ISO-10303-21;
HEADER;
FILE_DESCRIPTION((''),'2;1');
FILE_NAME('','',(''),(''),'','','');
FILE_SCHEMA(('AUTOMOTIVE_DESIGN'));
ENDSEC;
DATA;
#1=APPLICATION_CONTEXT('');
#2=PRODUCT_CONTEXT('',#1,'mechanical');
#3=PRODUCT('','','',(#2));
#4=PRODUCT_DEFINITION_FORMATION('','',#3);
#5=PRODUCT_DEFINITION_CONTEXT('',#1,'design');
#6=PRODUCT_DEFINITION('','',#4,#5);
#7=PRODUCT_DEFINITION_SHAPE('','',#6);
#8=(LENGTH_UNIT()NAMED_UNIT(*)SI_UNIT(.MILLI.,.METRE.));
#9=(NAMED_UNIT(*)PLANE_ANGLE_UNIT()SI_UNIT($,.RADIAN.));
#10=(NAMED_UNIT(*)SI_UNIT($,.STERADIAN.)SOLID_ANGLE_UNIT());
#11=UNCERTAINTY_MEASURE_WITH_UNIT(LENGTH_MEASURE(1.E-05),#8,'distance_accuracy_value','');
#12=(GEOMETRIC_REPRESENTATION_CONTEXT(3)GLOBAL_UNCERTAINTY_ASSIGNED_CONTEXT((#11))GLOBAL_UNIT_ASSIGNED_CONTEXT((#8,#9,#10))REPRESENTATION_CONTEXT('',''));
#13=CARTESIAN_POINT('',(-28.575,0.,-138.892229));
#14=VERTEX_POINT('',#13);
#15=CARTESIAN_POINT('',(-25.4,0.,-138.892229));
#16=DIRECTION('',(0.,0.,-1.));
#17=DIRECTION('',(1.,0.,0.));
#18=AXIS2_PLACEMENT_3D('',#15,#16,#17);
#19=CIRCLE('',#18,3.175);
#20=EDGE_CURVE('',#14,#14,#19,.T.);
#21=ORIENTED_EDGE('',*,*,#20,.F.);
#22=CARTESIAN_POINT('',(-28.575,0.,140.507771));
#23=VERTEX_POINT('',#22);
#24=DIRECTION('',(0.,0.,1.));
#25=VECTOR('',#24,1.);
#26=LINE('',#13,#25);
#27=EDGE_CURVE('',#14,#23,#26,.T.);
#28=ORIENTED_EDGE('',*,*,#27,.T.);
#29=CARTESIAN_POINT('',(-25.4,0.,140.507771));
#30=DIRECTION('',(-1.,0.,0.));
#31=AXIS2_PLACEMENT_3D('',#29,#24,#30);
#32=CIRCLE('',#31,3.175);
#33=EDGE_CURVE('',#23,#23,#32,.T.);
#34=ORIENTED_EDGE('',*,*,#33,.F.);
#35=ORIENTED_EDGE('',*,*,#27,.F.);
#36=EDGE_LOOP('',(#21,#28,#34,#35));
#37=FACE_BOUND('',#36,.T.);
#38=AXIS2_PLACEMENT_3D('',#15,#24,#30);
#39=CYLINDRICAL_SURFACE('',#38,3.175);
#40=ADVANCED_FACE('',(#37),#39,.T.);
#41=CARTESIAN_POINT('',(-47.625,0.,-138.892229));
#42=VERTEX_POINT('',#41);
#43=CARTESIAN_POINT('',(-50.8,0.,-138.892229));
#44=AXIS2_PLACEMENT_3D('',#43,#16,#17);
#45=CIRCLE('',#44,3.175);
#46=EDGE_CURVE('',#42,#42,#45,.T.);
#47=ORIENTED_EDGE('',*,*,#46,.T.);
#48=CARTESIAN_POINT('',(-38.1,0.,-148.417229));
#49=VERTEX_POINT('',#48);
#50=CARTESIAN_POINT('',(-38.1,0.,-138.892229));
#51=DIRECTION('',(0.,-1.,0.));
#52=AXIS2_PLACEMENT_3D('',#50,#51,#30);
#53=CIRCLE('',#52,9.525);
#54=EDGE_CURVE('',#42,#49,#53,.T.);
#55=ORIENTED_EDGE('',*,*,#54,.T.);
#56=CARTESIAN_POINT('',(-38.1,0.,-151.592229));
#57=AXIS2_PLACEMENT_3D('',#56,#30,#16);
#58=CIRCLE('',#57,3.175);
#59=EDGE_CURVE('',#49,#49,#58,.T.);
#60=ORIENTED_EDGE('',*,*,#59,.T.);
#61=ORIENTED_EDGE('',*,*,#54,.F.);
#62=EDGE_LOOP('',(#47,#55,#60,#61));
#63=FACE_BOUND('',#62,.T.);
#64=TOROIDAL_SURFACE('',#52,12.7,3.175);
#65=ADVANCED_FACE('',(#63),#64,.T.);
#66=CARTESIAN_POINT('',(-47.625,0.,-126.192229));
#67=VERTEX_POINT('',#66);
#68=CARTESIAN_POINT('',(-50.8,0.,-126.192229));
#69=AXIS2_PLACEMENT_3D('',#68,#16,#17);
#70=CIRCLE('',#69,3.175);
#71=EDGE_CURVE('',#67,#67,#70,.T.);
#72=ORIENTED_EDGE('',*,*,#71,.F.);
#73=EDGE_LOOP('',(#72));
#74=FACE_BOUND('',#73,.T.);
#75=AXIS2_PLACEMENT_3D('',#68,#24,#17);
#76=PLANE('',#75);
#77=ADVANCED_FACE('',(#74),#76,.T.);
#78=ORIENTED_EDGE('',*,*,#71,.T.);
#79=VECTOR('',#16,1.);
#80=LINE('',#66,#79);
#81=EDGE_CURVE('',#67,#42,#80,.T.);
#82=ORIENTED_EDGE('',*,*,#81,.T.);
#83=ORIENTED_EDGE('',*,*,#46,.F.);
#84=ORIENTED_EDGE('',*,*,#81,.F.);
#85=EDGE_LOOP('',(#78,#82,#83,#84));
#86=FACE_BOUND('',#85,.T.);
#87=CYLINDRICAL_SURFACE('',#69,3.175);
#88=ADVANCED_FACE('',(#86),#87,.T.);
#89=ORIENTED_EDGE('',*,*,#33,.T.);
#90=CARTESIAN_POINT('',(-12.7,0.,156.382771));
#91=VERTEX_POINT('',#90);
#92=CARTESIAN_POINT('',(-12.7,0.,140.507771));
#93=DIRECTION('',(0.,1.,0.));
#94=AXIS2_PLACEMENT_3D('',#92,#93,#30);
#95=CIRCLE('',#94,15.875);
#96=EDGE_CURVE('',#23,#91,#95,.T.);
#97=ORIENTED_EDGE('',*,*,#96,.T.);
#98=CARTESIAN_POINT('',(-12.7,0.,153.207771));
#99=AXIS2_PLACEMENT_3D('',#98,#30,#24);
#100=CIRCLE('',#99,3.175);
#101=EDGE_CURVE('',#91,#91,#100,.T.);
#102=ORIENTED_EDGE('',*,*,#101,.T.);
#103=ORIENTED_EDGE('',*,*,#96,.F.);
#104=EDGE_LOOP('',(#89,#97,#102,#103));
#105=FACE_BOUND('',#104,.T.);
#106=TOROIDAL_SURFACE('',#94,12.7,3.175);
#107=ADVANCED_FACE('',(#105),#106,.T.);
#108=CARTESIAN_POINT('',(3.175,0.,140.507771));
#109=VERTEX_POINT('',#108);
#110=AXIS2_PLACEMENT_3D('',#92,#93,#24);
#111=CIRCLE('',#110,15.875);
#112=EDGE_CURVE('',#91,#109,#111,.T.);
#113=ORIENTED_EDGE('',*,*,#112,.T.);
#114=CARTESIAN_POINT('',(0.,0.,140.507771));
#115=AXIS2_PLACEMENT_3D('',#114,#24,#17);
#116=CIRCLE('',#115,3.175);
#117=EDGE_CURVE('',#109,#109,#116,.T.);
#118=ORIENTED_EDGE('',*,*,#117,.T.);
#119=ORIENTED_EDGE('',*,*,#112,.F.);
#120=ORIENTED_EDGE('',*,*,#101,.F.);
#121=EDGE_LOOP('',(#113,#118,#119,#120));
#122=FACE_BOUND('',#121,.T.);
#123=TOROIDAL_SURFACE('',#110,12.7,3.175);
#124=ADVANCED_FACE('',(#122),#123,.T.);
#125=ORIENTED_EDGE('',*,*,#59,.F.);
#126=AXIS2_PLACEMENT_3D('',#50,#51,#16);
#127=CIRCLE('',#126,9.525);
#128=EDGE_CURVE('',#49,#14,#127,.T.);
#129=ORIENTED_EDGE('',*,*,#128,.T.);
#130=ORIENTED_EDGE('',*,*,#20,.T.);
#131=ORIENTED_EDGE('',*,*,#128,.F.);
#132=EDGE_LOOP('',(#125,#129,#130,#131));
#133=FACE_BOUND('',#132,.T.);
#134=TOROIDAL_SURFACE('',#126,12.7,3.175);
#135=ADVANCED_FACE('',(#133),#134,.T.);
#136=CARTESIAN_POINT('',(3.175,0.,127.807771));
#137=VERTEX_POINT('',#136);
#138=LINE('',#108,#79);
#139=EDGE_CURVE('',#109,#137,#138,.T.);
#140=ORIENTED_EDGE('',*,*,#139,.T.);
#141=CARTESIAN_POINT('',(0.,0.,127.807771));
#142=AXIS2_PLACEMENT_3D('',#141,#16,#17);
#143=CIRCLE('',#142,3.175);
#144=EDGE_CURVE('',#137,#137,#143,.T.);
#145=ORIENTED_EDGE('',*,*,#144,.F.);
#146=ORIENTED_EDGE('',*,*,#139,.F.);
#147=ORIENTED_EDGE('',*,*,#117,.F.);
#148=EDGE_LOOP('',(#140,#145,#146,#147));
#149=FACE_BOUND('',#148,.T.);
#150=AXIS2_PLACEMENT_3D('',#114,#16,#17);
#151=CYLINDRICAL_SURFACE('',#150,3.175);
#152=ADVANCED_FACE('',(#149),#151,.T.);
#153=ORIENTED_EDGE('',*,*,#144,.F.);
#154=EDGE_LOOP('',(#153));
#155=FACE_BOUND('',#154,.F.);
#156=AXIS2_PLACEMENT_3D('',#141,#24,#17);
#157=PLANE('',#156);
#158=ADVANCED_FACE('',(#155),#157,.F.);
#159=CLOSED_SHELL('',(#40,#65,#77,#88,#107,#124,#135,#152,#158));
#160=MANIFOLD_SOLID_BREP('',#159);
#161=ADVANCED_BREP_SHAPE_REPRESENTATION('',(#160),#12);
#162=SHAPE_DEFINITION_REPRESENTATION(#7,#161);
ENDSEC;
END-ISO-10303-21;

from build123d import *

# Parameters (mm, degrees)
F2_R = 3.175


with BuildPart() as f3:
    # F3: sweep along a path in F0
    with BuildLine(Plane.XZ) as f3_path:
        Line((-50.8, -126.1922290944), (-50.8, -138.8922290944))
        ThreePointArc((-50.8, -138.8922290944), (-47.0802561211, -147.8724852155), (-38.1, -151.5922290944))
        ThreePointArc((-38.1, -151.5922290944), (-29.1197438789, -147.8724852155), (-25.4, -138.8922290944))
        Line((-25.4, -138.8922290944), (-25.4, 140.5077709056))
        ThreePointArc((-25.4, 140.5077709056), (-21.6802561211, 149.4880270267), (-12.7, 153.2077709056))
        ThreePointArc((-12.7, 153.2077709056), (-3.7197438789, 149.4880270267), (0, 140.5077709056))
        Line((0, 140.5077709056), (0, 127.8077709056))
    # F2 (on plane+point) → F3 (sweep)
    with BuildSketch(Plane.XY.offset(-126.1922290944)):
        with Locations((-50.8, 0)):
            Circle(F2_R)
    sweep(path=f3_path.line)


solid = f3.part
